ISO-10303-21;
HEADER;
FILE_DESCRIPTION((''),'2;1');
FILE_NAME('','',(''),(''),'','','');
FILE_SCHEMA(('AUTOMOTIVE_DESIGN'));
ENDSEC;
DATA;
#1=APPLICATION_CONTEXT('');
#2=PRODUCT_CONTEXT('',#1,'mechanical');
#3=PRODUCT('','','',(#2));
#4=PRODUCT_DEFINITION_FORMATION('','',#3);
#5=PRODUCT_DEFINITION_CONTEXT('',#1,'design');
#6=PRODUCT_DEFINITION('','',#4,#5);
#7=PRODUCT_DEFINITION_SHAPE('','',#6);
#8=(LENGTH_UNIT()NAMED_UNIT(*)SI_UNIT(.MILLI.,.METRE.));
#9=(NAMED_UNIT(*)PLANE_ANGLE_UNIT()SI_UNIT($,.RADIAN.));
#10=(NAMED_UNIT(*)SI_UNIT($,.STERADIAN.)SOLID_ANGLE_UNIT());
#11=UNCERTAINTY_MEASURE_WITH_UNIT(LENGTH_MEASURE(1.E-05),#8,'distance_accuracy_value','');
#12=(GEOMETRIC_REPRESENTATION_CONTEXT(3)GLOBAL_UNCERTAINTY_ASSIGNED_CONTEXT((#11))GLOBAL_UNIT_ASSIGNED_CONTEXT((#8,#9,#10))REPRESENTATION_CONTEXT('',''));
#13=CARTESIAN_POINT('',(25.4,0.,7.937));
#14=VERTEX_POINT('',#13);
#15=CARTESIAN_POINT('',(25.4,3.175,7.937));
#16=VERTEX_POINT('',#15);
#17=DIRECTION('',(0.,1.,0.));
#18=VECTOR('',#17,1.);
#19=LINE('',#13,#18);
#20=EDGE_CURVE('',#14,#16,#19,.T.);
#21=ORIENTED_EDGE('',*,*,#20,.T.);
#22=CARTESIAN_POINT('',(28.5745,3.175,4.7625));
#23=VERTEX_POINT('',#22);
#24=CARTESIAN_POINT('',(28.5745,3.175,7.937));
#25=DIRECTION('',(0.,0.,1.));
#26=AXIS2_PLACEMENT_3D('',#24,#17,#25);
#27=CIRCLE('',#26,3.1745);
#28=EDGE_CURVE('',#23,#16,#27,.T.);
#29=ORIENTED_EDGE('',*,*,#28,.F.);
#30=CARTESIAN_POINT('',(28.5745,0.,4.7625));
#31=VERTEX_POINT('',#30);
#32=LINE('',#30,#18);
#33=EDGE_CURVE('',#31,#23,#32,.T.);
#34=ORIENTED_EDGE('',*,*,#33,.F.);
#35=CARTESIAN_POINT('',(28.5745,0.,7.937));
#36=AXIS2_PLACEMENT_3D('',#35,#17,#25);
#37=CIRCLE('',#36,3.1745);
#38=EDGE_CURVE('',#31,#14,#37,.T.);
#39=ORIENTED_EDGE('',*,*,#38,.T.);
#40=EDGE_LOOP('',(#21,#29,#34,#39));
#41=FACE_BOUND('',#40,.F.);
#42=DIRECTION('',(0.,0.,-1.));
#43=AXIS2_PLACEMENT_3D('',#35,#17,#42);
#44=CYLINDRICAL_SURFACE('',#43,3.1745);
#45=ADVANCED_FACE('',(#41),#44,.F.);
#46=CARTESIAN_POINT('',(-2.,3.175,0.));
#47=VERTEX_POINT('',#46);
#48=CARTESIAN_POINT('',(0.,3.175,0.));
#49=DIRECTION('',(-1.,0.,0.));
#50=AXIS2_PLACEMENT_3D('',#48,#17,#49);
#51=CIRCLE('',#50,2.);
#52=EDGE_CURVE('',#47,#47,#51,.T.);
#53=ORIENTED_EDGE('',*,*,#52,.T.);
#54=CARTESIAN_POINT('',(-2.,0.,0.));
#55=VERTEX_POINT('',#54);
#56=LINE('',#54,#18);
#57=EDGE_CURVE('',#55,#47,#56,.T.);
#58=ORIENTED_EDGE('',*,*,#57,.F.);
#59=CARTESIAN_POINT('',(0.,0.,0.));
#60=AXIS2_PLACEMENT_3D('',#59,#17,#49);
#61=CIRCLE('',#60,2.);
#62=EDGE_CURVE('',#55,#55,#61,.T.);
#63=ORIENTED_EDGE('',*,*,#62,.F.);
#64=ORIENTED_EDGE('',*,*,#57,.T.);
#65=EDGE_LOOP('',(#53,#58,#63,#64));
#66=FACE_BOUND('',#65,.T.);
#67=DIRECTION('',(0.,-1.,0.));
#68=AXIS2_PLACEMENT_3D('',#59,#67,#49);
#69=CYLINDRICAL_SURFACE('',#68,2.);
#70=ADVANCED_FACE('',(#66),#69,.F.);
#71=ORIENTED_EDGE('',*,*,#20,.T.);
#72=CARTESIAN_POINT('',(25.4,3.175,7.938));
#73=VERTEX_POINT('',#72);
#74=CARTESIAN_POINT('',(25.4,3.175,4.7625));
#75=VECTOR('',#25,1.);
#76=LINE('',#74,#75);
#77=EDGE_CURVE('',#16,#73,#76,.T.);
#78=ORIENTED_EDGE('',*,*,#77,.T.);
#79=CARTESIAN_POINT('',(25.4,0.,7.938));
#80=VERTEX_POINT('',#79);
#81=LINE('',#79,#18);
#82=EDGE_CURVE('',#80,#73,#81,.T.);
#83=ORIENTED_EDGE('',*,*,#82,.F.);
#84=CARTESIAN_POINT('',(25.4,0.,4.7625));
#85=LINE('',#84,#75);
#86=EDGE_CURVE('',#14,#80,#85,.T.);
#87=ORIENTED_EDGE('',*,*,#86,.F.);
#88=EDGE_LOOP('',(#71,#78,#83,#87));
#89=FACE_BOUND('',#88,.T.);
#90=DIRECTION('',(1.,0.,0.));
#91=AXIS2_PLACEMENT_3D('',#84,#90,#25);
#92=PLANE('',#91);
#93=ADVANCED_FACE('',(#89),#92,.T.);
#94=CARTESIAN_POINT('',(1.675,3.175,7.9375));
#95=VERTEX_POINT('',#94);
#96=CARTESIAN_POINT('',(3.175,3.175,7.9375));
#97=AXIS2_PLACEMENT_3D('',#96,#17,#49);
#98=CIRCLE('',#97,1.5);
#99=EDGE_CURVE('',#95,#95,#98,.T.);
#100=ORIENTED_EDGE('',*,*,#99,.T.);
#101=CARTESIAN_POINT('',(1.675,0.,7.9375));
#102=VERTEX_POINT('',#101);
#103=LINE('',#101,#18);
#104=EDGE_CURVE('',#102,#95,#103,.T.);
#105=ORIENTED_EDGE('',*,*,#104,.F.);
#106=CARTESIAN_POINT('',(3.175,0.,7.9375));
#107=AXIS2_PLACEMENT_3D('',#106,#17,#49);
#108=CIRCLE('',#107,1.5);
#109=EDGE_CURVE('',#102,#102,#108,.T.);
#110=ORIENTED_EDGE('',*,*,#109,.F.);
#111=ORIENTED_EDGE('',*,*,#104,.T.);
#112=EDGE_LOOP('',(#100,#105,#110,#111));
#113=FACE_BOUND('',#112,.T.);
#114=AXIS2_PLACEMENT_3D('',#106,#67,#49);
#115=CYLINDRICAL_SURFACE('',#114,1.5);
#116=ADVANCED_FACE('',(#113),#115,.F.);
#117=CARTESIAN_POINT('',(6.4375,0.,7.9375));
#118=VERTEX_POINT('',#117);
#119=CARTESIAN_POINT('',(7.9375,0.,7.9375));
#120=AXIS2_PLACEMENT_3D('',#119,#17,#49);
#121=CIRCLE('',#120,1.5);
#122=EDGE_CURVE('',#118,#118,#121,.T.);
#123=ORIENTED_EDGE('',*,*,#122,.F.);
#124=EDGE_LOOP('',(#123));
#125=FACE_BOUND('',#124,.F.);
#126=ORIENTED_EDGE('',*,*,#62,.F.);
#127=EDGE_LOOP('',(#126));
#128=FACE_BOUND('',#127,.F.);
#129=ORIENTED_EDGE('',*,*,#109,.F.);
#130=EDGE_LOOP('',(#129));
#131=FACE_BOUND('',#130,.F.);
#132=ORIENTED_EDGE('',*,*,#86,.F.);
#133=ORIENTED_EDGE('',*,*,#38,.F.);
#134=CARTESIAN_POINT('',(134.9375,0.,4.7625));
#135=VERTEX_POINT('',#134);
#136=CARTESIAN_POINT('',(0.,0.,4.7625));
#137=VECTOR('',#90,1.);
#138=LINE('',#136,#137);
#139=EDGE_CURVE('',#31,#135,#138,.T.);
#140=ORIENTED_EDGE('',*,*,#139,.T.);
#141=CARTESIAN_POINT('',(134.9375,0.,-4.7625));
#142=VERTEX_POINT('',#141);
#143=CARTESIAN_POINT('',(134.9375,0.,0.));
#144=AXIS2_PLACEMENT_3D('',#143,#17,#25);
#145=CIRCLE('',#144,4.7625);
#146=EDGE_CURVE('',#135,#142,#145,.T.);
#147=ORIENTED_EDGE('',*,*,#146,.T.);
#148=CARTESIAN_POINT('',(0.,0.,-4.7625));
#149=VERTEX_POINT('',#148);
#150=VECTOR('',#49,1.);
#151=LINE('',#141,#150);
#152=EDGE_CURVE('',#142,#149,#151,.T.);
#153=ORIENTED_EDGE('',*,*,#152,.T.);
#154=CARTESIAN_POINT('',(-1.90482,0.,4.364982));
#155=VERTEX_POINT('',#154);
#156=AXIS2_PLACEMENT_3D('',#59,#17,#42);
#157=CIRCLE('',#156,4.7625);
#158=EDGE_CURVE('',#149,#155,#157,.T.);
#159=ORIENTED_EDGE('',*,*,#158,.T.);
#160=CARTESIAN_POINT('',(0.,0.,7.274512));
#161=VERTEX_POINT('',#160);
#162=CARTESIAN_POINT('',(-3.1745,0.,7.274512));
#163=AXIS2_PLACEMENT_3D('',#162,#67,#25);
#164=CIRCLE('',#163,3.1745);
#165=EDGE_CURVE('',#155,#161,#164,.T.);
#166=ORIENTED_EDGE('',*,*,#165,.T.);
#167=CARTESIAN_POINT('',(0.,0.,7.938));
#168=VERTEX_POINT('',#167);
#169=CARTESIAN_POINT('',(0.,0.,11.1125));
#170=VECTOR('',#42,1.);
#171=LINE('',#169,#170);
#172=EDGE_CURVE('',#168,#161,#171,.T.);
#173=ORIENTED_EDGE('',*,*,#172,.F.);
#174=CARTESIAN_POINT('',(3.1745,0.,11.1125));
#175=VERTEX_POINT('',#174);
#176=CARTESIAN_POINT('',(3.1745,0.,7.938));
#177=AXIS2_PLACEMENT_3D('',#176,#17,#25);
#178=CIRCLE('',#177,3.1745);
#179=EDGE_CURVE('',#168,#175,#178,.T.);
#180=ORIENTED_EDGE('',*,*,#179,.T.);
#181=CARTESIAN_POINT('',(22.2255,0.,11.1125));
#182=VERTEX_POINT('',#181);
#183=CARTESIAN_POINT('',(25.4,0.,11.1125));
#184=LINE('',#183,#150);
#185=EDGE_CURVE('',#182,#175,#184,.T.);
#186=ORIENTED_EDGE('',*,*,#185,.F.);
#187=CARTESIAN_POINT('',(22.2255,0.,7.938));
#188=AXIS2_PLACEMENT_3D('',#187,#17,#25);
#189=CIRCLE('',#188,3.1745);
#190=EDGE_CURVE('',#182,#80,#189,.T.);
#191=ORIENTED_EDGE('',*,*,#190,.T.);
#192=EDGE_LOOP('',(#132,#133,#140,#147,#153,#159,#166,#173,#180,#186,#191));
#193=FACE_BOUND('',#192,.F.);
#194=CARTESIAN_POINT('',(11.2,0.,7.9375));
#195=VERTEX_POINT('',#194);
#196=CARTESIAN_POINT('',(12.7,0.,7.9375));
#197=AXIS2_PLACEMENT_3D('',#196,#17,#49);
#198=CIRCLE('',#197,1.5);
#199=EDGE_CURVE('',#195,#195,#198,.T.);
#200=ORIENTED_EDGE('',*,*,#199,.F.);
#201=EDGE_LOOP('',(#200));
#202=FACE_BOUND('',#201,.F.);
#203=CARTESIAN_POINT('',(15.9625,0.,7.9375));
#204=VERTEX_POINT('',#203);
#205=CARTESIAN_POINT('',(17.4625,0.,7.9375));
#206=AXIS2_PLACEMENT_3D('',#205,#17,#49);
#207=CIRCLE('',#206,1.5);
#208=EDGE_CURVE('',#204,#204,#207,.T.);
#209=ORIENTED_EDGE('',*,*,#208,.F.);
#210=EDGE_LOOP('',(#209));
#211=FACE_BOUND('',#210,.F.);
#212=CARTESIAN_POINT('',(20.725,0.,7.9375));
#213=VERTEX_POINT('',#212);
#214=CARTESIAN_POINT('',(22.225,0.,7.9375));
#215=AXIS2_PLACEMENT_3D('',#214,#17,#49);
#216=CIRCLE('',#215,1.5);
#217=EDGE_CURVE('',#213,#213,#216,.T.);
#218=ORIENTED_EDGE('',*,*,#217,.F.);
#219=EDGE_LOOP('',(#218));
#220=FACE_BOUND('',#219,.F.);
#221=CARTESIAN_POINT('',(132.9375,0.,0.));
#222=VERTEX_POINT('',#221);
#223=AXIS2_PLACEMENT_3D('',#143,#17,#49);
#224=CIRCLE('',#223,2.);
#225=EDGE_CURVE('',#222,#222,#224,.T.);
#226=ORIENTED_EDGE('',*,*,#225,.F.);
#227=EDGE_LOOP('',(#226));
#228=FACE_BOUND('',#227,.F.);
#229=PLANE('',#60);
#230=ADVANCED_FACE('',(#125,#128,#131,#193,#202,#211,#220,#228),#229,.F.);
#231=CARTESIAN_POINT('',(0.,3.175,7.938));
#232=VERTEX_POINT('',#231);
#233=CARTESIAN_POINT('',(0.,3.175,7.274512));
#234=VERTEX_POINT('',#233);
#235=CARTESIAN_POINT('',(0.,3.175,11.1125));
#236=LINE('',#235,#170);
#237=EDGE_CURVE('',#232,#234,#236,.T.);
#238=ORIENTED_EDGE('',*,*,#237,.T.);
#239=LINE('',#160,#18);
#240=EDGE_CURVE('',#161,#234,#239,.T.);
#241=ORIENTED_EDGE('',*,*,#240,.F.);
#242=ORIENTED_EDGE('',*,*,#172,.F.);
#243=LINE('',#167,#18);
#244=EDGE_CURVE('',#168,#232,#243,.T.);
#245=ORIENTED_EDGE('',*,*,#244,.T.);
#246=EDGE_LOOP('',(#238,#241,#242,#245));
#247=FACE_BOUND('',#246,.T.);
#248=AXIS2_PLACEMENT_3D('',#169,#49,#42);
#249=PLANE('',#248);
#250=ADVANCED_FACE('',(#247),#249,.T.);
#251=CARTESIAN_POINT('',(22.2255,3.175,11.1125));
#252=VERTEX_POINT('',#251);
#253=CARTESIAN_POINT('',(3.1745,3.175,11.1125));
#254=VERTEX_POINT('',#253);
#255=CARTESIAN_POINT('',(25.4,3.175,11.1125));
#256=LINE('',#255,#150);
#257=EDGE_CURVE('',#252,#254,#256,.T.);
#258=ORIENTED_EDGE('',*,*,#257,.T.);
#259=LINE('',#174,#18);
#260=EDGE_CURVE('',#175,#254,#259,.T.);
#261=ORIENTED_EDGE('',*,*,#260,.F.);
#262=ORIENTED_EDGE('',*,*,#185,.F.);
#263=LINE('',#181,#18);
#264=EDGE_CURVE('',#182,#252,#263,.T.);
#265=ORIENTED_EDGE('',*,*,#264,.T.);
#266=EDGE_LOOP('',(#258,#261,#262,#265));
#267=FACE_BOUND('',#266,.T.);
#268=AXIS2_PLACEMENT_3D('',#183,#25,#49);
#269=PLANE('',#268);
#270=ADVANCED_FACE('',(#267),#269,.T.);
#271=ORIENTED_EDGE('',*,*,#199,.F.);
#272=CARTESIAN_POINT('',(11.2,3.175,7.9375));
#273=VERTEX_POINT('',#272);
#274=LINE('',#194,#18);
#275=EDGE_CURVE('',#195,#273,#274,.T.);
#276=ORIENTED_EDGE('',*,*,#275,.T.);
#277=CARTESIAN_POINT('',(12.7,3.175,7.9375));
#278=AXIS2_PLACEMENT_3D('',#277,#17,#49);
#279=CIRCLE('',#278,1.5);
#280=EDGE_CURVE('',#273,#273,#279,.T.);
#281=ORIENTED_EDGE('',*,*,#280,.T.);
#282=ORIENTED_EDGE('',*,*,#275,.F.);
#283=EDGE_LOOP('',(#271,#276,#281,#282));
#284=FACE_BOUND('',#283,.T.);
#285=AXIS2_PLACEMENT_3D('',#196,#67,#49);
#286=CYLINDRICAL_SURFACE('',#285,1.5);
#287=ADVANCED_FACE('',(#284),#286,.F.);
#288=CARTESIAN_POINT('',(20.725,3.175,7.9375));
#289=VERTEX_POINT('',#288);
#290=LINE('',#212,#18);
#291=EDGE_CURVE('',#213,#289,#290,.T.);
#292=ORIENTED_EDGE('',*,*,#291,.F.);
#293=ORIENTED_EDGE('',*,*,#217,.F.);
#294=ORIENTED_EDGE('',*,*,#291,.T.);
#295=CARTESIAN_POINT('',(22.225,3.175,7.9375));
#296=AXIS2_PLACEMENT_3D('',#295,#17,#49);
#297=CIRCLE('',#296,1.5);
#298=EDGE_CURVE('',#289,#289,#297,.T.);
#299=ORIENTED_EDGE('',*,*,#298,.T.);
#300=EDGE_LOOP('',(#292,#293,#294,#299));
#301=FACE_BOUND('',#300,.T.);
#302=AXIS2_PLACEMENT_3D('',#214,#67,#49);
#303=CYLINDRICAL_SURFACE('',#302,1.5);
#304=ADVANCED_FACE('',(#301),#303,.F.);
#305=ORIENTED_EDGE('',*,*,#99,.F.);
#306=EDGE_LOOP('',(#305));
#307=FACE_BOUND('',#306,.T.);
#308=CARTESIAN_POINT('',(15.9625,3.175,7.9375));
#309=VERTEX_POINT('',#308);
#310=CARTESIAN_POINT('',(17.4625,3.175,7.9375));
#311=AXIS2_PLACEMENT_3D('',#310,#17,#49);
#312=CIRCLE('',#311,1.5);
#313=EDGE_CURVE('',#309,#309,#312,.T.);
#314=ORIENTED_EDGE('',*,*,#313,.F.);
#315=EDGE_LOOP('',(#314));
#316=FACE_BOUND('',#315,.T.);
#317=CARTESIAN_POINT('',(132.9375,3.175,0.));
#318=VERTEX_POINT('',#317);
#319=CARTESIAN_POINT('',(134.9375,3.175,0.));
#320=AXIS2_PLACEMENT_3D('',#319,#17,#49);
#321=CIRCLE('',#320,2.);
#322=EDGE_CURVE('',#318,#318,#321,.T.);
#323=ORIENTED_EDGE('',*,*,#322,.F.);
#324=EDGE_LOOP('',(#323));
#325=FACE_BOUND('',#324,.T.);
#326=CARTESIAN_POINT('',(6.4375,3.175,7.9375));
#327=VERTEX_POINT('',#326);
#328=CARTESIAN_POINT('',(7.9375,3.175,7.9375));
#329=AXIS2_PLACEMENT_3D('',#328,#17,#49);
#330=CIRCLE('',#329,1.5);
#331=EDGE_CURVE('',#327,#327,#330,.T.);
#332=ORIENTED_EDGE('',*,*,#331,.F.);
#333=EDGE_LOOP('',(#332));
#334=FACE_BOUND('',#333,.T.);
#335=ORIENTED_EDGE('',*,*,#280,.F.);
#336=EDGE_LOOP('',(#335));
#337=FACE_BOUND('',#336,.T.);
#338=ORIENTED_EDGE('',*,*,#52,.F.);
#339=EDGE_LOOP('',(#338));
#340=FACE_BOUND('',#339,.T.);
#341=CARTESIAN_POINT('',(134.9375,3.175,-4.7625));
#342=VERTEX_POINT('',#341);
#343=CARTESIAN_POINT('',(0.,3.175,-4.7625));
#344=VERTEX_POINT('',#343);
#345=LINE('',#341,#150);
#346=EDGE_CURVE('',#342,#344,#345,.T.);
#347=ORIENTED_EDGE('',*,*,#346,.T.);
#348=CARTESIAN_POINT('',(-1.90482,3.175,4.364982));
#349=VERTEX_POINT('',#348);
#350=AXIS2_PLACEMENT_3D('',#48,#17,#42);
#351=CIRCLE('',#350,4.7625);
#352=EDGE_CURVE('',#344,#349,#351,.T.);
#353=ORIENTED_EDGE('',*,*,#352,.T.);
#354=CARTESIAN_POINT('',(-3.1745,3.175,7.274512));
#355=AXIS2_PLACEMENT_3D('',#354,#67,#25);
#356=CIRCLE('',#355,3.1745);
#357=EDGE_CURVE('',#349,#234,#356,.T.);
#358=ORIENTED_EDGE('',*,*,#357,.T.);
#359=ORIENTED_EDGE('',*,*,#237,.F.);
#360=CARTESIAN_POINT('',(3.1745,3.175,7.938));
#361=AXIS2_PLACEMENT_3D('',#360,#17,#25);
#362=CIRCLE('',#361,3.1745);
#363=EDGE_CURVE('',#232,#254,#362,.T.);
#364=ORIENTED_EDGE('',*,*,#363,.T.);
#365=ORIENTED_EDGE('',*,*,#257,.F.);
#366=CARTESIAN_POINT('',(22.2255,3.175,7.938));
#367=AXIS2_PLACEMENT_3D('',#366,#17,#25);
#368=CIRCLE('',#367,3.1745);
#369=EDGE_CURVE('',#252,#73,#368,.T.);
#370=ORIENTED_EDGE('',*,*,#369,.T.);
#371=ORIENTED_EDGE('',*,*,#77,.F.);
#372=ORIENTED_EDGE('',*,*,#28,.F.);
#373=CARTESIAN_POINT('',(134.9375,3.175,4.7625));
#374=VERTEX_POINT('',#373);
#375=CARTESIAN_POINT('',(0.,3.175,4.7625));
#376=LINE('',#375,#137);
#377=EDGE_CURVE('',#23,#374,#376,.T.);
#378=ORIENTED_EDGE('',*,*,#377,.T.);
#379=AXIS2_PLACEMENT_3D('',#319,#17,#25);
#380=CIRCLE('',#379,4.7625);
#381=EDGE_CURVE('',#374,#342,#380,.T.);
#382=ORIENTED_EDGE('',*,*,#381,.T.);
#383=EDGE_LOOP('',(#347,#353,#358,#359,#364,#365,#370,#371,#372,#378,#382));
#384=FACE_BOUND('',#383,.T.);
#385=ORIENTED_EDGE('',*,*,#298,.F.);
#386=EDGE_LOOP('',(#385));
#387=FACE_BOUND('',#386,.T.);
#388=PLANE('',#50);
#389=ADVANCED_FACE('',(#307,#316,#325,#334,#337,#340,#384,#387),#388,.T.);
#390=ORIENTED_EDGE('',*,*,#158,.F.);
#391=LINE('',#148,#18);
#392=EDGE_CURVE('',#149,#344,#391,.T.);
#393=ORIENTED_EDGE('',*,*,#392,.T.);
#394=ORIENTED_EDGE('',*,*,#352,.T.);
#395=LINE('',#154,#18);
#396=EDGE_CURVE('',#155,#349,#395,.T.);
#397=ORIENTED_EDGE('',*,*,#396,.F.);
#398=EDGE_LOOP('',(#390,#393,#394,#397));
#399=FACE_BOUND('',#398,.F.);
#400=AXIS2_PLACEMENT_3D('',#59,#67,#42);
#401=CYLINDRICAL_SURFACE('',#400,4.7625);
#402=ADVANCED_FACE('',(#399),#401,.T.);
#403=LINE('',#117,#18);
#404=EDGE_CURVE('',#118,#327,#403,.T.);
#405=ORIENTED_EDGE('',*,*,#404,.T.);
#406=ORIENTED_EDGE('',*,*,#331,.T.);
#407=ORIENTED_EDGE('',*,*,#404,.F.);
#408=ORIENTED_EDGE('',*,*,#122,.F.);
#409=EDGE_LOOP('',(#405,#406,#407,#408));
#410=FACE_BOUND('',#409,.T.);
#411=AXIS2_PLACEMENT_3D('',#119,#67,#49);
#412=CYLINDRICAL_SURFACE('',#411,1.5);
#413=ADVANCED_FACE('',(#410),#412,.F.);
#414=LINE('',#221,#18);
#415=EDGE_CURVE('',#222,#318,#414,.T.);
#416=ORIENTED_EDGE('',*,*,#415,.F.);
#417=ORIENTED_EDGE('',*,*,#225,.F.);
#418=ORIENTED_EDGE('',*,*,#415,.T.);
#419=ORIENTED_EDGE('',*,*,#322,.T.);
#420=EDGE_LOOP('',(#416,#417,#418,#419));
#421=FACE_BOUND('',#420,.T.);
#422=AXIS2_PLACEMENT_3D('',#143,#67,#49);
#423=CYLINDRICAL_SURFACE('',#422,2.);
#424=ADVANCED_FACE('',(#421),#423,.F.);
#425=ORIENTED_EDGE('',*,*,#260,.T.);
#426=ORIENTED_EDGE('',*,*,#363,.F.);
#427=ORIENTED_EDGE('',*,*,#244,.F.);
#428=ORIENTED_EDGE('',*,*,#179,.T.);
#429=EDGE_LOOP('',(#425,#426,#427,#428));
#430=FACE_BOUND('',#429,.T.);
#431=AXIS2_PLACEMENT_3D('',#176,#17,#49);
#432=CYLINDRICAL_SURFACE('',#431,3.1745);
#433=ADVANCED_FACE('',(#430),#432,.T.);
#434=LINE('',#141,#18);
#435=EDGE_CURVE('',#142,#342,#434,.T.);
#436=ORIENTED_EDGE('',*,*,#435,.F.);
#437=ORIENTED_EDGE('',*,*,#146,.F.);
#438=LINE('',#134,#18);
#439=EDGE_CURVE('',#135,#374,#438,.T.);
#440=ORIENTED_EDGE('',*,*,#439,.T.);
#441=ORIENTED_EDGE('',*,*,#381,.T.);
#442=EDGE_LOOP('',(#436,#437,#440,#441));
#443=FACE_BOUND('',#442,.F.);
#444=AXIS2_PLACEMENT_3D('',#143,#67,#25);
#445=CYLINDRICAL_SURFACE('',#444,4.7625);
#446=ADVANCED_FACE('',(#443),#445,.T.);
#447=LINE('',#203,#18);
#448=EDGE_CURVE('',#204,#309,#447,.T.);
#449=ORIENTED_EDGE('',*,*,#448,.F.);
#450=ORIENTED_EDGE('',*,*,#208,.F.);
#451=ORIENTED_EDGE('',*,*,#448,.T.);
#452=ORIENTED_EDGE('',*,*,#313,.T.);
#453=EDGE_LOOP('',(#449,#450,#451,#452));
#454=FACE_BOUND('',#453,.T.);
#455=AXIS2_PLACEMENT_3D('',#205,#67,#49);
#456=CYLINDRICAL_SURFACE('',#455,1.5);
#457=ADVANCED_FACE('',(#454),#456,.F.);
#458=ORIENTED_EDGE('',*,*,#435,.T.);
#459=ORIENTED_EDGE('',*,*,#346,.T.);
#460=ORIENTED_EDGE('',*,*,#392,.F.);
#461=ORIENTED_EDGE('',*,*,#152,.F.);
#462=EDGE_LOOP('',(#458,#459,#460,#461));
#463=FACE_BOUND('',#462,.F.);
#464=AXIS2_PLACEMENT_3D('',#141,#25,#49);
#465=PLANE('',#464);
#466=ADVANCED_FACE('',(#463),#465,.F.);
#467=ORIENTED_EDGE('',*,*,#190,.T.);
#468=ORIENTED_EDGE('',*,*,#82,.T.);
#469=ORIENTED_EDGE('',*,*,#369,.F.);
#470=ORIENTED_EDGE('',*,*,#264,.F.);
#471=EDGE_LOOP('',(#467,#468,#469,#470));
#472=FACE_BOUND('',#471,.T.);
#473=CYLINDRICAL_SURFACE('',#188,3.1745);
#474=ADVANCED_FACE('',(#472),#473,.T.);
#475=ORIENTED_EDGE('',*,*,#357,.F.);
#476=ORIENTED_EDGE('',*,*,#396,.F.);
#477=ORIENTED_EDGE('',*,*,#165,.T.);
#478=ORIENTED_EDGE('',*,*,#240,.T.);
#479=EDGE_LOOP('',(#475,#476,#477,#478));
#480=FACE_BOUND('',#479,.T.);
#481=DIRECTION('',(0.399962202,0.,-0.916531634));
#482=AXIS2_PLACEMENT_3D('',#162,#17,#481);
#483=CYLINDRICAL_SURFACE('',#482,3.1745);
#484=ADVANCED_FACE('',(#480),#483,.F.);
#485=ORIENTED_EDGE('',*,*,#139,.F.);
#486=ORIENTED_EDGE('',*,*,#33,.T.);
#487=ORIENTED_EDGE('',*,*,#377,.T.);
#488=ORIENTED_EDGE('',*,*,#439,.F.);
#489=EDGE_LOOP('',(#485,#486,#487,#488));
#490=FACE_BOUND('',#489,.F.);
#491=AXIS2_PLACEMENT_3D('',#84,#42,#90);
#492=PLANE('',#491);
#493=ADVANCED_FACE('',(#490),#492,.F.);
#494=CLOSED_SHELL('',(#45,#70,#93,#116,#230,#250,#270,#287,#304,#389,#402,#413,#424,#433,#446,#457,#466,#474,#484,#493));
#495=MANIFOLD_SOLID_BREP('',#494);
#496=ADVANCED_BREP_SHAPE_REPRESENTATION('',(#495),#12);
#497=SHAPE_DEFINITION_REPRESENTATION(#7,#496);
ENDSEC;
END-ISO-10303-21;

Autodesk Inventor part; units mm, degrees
ref_plane "YZ Plane" through (0, 0, 0) normal (1, 0, 0) x (0, 1, 0)
ref_plane "XZ Plane" through (0, 0, 0) normal (0, 1, 0) x (-1, 0, 0)
ref_plane "XY Plane" through (0, 0, 0) normal (0, 0, 1) x (1, 0, 0)
sketch "Sketch1" plane through (0, 0, 0) normal (0, 1, 0) x (-1, 0, 0)
  line L0 (0, 0) -> (-134.9375, 0) construction
  line L1 (0, 4.7625) -> (-134.9375, 4.7625)
  line L2 (-134.9375, -4.7625) -> (0, -4.7625)
  arc A0 (0, -4.7625) -> (0, 4.7625) centre (0, 0) ccw
  arc A1 (-134.9375, 4.7625) -> (-134.9375, -4.7625) centre (-134.9375, 0) ccw
  circle A2 centre (0, 0) radius 2
  circle A3 centre (-134.9375, 0) radius 2
  line L3 (0, 4.7625) -> (-25.4, 4.7625)
  line L4 (-25.4, 4.7625) -> (-25.4, 11.1125)
  line L5 (-25.4, 11.1125) -> (0, 11.1125)
  line L6 (0, 11.1125) -> (0, 4.7625)
  line L7 (-25.4, 7.9375) -> (0, 7.9375) construction
  circle A4 centre (-22.225, 7.9375) radius 1.5
  circle A5 centre (-17.4625, 7.9375) radius 1.5
  circle A6 centre (-12.7, 7.9375) radius 1.5
  circle A7 centre (-7.9375, 7.9375) radius 1.5
  circle A8 centre (-3.175, 7.9375) radius 1.5
  point P0 (-67.4688, 0)
  dimension "d0" = 134.9375
  dimension "d1" = 9.525
  dimension "d2" = 4
  dimension "d3" = 4
  dimension "d6" = 25.4
  dimension "d7" = 6.35
  dimension "d8" = 3
  dimension "d9" = 3.175
  dimension "d12" = 4.7625
extrude "Extrusion1" add sketch "Sketch1" along normal blind 3.175
fillet "Fillet1" radius 3.175 4 edges at (25.4, 1.5875, 4.7625) (25.4, 1.5875, 11.1125) (0, 1.5875, 11.1125) (0, 1.5875, 4.7625)
equation "\"d2\" = d3"
properties part number "Wind Tool"
